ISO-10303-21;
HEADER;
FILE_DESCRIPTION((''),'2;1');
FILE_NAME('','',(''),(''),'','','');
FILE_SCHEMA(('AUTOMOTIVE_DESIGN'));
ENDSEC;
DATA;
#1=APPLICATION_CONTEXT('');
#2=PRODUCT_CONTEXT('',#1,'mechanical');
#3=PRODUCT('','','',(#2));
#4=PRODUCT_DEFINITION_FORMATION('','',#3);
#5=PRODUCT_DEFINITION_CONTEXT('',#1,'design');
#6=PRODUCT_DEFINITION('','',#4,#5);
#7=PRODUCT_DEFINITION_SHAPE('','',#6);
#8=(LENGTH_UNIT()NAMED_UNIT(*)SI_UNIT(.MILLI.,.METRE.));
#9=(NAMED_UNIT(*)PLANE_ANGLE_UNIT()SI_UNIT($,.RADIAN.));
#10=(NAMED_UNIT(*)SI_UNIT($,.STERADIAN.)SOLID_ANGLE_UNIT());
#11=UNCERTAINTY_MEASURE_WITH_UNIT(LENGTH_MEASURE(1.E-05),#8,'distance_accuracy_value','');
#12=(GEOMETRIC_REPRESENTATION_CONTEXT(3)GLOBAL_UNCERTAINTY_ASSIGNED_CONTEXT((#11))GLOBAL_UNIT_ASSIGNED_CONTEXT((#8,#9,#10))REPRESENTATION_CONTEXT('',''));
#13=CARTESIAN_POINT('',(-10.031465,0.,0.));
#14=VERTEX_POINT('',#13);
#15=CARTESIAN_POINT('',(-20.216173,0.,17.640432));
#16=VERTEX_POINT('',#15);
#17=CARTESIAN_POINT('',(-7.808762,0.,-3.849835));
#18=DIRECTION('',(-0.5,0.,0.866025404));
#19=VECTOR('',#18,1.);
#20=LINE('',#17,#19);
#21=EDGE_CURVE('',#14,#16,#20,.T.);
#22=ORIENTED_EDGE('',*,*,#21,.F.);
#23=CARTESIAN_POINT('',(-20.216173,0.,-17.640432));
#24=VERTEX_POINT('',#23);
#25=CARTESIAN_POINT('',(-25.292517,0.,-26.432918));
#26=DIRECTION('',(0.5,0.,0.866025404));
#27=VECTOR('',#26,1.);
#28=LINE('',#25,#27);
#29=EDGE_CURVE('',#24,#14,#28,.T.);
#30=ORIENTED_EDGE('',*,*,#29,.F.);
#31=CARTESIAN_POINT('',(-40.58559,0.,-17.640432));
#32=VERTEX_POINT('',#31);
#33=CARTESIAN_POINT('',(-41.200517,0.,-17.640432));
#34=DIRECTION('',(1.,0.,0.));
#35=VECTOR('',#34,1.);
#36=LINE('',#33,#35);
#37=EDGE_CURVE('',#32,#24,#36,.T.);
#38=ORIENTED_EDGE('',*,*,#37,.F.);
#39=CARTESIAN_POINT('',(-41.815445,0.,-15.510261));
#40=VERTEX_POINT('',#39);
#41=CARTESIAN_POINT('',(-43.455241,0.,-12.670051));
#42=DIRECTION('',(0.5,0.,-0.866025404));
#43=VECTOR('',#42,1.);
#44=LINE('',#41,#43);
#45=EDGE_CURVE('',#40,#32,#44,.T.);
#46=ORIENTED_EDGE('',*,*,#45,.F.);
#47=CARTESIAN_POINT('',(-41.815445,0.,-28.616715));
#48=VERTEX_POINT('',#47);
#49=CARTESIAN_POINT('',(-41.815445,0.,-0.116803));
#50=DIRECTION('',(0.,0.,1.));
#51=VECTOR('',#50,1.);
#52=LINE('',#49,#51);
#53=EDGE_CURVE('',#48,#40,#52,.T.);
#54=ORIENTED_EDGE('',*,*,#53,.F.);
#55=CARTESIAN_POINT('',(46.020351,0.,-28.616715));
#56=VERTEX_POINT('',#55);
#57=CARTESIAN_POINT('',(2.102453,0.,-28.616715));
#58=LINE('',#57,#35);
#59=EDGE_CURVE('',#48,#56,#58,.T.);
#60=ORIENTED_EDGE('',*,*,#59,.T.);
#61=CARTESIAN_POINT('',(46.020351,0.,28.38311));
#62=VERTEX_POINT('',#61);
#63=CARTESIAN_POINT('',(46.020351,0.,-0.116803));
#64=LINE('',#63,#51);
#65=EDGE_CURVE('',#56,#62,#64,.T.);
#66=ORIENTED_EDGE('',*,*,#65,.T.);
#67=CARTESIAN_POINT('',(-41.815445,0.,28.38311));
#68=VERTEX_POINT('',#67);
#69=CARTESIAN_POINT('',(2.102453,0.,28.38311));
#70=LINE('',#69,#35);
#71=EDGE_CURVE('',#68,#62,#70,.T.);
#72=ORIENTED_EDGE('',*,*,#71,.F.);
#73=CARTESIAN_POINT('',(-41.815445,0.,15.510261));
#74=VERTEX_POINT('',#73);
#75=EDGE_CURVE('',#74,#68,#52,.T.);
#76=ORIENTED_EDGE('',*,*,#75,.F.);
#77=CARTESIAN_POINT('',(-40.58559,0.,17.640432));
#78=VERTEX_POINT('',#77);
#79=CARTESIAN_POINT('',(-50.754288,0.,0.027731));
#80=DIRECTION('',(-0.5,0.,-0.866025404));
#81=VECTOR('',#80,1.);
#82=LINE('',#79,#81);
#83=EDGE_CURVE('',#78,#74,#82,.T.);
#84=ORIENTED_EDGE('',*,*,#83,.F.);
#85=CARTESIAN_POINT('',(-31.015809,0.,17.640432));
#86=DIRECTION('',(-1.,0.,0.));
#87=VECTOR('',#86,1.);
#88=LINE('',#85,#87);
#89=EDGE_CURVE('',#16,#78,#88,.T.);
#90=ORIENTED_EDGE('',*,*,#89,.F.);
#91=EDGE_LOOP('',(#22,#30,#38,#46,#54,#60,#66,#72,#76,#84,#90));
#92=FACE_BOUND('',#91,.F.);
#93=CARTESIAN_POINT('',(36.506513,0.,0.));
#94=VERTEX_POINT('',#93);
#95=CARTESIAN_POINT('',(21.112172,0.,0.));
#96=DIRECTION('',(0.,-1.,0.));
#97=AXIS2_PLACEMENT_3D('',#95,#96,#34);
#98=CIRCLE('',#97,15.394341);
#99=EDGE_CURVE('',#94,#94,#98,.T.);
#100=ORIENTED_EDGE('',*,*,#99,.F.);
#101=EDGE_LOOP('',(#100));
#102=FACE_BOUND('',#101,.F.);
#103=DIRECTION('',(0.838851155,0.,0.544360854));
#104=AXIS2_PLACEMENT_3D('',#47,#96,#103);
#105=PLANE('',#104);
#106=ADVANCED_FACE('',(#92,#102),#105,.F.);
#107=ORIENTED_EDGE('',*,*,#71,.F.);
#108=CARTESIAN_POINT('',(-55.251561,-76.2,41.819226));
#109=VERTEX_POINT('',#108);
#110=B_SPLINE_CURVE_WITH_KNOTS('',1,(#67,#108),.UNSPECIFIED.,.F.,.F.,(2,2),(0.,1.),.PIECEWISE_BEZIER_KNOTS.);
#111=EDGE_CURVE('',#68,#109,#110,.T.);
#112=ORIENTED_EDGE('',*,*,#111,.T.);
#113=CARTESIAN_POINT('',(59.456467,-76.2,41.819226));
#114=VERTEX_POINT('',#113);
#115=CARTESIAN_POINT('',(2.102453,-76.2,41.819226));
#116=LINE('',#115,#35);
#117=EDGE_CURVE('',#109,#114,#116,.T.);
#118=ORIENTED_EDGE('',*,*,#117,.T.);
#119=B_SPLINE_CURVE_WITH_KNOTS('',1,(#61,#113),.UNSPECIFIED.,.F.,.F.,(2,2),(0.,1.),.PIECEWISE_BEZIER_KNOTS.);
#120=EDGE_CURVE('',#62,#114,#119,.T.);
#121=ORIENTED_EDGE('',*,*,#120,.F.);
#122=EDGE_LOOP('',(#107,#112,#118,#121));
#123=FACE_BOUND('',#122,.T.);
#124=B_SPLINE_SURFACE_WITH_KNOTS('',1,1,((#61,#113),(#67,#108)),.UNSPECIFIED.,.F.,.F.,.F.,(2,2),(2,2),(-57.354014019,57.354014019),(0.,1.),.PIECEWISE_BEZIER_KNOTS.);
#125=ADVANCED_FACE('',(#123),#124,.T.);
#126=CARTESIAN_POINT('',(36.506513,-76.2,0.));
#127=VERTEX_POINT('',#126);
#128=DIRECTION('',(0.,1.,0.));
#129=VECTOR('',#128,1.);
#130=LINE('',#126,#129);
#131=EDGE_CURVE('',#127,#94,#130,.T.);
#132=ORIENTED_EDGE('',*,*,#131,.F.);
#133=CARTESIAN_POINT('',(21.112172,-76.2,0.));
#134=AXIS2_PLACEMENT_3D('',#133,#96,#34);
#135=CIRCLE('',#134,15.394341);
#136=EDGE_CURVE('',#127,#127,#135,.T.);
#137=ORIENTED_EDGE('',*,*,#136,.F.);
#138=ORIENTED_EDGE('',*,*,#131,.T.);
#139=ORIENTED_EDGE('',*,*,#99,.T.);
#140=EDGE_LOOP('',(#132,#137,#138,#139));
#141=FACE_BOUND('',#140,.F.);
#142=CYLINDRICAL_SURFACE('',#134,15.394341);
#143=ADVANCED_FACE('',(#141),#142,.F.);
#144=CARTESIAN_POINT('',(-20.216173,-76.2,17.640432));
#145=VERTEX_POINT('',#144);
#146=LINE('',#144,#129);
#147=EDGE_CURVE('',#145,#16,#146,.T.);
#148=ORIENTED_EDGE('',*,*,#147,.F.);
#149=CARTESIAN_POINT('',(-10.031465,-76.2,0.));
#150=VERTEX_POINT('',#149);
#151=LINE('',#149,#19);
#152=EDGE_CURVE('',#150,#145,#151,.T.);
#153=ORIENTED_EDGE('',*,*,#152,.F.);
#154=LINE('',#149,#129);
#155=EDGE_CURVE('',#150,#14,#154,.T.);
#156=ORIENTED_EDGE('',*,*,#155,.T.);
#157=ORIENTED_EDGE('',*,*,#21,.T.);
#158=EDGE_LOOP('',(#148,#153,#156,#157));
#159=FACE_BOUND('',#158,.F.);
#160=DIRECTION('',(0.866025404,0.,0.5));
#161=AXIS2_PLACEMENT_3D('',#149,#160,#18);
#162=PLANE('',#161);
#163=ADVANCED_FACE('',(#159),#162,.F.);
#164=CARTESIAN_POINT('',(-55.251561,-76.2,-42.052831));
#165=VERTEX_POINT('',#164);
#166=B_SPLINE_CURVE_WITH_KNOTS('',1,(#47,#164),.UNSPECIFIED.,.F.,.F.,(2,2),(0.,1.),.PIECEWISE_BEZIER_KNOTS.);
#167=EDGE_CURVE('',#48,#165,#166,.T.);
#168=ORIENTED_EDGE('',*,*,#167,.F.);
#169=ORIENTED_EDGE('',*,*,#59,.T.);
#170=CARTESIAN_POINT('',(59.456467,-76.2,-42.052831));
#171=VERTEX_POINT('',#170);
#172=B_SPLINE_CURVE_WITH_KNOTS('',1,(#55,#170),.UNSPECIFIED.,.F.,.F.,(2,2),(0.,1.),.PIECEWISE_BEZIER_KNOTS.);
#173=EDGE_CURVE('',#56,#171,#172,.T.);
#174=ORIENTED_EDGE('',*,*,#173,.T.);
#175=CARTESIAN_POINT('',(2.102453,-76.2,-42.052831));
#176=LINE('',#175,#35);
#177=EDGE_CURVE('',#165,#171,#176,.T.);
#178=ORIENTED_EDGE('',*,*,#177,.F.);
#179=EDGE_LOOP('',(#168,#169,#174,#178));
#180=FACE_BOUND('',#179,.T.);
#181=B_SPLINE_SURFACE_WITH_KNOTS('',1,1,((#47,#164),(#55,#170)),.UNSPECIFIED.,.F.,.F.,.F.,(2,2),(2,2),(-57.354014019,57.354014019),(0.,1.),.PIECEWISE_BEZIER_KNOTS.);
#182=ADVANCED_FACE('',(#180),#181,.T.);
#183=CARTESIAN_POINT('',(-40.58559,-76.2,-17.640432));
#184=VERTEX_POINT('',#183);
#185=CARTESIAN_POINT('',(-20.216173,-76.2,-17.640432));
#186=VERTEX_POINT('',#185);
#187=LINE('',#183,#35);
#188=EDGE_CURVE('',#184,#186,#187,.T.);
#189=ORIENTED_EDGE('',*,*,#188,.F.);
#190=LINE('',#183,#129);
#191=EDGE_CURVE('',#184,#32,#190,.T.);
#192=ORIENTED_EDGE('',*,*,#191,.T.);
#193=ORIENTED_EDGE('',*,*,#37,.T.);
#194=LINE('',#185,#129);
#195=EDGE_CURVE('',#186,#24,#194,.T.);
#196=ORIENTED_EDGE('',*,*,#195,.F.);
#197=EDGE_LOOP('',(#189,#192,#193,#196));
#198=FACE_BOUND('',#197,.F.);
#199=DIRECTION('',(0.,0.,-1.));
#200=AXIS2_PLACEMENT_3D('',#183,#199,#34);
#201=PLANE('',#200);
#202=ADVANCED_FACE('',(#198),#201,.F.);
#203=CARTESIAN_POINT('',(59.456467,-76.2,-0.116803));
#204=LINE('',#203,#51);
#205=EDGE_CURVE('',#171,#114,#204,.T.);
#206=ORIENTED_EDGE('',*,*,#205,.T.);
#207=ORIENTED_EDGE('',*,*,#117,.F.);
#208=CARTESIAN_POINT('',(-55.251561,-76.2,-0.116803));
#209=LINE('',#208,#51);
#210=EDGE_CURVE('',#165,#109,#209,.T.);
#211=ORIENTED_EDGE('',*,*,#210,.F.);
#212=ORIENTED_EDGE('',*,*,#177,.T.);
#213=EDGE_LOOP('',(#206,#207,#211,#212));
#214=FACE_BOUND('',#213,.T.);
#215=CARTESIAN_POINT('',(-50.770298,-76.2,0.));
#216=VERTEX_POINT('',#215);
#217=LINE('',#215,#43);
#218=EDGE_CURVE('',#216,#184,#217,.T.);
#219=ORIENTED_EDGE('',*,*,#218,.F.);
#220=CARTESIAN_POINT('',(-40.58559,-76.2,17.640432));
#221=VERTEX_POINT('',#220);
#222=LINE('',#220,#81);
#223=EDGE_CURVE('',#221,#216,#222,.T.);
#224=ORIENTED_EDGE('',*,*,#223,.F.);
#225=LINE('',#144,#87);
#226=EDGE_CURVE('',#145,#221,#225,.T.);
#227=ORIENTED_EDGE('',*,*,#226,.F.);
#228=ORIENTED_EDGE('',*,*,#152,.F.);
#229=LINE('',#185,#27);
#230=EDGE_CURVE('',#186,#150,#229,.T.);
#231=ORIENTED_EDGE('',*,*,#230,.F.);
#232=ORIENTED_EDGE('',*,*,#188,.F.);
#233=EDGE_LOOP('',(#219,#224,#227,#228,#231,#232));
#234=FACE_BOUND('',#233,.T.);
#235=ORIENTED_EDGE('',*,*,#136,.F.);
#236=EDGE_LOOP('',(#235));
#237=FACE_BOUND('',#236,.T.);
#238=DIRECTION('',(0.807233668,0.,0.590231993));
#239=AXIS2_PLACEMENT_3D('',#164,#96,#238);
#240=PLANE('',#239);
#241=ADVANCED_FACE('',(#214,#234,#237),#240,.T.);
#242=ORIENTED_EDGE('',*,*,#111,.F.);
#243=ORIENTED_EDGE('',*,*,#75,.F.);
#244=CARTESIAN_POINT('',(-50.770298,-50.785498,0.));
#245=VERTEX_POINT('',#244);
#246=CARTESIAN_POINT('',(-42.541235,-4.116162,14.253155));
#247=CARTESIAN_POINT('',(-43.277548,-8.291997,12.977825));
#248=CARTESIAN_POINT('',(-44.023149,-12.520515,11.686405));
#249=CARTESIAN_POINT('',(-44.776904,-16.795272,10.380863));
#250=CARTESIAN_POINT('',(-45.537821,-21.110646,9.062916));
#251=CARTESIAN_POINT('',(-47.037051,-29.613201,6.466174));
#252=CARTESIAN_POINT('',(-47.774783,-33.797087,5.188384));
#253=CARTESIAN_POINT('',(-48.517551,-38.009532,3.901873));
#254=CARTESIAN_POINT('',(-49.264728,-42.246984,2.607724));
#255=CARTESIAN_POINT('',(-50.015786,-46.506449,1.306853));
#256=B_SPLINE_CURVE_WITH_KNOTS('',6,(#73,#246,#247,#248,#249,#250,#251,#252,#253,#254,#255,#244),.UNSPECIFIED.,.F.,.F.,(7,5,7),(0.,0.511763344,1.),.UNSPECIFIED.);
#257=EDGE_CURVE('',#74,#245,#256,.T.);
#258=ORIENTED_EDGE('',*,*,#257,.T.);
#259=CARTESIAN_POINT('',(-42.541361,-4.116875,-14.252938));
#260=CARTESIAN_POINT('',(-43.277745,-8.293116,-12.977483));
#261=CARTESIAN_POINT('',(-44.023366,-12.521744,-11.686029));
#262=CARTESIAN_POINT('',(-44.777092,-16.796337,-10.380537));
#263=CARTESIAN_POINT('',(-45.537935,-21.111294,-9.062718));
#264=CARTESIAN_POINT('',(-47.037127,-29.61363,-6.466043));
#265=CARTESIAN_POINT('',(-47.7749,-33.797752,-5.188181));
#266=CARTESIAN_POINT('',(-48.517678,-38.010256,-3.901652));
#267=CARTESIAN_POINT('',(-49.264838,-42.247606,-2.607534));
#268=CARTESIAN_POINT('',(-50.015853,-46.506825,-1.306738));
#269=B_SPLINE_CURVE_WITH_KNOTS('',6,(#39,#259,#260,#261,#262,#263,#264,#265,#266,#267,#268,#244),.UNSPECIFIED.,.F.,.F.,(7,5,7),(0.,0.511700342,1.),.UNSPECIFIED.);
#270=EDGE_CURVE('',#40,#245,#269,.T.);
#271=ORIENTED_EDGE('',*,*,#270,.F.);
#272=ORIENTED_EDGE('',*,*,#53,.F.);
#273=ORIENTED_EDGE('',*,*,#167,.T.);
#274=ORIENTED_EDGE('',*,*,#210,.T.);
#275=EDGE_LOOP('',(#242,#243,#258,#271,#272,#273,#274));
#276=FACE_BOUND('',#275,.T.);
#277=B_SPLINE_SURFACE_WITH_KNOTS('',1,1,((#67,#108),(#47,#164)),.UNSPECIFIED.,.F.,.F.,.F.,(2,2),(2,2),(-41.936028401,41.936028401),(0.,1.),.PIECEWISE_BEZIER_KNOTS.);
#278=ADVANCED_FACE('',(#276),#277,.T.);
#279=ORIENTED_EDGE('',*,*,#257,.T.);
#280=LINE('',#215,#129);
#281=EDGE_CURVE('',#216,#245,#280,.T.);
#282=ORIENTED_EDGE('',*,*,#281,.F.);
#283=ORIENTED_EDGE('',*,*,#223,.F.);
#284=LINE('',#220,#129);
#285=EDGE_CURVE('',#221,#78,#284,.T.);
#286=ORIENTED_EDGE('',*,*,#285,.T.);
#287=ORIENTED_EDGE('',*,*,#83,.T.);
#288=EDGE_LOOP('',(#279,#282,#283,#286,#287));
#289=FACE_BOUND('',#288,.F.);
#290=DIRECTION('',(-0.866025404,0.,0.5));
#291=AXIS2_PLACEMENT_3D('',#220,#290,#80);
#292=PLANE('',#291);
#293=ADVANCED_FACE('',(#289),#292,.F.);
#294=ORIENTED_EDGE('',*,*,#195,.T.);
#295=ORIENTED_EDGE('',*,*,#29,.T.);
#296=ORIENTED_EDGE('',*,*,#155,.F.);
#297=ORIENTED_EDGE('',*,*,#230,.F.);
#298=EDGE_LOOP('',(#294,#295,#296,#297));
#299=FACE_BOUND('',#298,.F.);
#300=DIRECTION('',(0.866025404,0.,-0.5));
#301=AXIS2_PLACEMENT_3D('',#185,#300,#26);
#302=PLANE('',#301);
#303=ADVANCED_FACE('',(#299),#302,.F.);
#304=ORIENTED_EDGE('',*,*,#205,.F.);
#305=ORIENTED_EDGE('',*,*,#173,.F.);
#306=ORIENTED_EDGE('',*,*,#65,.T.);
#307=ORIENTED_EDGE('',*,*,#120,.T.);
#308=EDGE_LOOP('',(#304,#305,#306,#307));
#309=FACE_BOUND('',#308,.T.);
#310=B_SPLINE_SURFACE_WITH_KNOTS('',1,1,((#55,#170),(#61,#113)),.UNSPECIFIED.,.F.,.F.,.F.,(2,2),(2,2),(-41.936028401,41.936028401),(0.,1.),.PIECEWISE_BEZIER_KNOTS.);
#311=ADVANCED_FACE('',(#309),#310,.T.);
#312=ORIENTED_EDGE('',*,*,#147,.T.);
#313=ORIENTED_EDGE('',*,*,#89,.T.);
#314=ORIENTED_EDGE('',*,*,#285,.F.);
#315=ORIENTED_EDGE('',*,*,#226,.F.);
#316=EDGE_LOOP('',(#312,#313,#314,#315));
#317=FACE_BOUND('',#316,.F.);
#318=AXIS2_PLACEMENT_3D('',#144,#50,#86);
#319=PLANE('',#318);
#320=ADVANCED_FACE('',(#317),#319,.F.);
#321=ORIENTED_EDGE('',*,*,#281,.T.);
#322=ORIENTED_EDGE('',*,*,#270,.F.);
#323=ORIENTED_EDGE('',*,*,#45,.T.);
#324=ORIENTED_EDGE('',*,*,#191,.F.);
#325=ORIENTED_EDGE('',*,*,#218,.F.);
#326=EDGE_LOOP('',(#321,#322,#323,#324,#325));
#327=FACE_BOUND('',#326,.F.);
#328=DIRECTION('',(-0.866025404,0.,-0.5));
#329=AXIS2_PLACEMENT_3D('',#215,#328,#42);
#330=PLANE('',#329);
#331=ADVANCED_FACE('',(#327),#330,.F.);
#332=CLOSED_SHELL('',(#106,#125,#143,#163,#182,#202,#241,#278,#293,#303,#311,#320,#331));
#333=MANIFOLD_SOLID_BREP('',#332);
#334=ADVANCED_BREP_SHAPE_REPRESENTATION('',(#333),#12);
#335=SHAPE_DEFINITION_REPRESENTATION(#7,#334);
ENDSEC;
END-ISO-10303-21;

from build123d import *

# Parameters (mm, degrees)
F0_W     = 87.8357961774
F0_H     = 56.9998249412
F1_DEPTH = 76.2
F1_TAPER = -10
F2_R     = 15.3943409372
F3_DEPTH = 76.2010001


with BuildPart() as f1:
    # F0 (on Front) → F1 (new body)
    with BuildSketch(Plane.XZ):
        with Locations((2.1024532616, -0.116802752)):
            Rectangle(F0_W, F0_H)
    extrude(amount=F1_DEPTH, taper=F1_TAPER)

    # F2 (on face) → F3 (cut, through all)
    with BuildSketch(Plane.XZ.offset(76.2)):
        with Locations((21.1121719331, 0)):
            Circle(F2_R)
        Polygon((-40.5855899055, -17.6404323429), (-20.216173182, -17.6404323429), (-10.0314648202, 0), (-20.216173182, 17.6404323429), (-40.5855899055, 17.6404323429), (-50.7702982673, 0), align=None)
    extrude(amount=-F3_DEPTH, mode=Mode.SUBTRACT)


solid = f1.part
